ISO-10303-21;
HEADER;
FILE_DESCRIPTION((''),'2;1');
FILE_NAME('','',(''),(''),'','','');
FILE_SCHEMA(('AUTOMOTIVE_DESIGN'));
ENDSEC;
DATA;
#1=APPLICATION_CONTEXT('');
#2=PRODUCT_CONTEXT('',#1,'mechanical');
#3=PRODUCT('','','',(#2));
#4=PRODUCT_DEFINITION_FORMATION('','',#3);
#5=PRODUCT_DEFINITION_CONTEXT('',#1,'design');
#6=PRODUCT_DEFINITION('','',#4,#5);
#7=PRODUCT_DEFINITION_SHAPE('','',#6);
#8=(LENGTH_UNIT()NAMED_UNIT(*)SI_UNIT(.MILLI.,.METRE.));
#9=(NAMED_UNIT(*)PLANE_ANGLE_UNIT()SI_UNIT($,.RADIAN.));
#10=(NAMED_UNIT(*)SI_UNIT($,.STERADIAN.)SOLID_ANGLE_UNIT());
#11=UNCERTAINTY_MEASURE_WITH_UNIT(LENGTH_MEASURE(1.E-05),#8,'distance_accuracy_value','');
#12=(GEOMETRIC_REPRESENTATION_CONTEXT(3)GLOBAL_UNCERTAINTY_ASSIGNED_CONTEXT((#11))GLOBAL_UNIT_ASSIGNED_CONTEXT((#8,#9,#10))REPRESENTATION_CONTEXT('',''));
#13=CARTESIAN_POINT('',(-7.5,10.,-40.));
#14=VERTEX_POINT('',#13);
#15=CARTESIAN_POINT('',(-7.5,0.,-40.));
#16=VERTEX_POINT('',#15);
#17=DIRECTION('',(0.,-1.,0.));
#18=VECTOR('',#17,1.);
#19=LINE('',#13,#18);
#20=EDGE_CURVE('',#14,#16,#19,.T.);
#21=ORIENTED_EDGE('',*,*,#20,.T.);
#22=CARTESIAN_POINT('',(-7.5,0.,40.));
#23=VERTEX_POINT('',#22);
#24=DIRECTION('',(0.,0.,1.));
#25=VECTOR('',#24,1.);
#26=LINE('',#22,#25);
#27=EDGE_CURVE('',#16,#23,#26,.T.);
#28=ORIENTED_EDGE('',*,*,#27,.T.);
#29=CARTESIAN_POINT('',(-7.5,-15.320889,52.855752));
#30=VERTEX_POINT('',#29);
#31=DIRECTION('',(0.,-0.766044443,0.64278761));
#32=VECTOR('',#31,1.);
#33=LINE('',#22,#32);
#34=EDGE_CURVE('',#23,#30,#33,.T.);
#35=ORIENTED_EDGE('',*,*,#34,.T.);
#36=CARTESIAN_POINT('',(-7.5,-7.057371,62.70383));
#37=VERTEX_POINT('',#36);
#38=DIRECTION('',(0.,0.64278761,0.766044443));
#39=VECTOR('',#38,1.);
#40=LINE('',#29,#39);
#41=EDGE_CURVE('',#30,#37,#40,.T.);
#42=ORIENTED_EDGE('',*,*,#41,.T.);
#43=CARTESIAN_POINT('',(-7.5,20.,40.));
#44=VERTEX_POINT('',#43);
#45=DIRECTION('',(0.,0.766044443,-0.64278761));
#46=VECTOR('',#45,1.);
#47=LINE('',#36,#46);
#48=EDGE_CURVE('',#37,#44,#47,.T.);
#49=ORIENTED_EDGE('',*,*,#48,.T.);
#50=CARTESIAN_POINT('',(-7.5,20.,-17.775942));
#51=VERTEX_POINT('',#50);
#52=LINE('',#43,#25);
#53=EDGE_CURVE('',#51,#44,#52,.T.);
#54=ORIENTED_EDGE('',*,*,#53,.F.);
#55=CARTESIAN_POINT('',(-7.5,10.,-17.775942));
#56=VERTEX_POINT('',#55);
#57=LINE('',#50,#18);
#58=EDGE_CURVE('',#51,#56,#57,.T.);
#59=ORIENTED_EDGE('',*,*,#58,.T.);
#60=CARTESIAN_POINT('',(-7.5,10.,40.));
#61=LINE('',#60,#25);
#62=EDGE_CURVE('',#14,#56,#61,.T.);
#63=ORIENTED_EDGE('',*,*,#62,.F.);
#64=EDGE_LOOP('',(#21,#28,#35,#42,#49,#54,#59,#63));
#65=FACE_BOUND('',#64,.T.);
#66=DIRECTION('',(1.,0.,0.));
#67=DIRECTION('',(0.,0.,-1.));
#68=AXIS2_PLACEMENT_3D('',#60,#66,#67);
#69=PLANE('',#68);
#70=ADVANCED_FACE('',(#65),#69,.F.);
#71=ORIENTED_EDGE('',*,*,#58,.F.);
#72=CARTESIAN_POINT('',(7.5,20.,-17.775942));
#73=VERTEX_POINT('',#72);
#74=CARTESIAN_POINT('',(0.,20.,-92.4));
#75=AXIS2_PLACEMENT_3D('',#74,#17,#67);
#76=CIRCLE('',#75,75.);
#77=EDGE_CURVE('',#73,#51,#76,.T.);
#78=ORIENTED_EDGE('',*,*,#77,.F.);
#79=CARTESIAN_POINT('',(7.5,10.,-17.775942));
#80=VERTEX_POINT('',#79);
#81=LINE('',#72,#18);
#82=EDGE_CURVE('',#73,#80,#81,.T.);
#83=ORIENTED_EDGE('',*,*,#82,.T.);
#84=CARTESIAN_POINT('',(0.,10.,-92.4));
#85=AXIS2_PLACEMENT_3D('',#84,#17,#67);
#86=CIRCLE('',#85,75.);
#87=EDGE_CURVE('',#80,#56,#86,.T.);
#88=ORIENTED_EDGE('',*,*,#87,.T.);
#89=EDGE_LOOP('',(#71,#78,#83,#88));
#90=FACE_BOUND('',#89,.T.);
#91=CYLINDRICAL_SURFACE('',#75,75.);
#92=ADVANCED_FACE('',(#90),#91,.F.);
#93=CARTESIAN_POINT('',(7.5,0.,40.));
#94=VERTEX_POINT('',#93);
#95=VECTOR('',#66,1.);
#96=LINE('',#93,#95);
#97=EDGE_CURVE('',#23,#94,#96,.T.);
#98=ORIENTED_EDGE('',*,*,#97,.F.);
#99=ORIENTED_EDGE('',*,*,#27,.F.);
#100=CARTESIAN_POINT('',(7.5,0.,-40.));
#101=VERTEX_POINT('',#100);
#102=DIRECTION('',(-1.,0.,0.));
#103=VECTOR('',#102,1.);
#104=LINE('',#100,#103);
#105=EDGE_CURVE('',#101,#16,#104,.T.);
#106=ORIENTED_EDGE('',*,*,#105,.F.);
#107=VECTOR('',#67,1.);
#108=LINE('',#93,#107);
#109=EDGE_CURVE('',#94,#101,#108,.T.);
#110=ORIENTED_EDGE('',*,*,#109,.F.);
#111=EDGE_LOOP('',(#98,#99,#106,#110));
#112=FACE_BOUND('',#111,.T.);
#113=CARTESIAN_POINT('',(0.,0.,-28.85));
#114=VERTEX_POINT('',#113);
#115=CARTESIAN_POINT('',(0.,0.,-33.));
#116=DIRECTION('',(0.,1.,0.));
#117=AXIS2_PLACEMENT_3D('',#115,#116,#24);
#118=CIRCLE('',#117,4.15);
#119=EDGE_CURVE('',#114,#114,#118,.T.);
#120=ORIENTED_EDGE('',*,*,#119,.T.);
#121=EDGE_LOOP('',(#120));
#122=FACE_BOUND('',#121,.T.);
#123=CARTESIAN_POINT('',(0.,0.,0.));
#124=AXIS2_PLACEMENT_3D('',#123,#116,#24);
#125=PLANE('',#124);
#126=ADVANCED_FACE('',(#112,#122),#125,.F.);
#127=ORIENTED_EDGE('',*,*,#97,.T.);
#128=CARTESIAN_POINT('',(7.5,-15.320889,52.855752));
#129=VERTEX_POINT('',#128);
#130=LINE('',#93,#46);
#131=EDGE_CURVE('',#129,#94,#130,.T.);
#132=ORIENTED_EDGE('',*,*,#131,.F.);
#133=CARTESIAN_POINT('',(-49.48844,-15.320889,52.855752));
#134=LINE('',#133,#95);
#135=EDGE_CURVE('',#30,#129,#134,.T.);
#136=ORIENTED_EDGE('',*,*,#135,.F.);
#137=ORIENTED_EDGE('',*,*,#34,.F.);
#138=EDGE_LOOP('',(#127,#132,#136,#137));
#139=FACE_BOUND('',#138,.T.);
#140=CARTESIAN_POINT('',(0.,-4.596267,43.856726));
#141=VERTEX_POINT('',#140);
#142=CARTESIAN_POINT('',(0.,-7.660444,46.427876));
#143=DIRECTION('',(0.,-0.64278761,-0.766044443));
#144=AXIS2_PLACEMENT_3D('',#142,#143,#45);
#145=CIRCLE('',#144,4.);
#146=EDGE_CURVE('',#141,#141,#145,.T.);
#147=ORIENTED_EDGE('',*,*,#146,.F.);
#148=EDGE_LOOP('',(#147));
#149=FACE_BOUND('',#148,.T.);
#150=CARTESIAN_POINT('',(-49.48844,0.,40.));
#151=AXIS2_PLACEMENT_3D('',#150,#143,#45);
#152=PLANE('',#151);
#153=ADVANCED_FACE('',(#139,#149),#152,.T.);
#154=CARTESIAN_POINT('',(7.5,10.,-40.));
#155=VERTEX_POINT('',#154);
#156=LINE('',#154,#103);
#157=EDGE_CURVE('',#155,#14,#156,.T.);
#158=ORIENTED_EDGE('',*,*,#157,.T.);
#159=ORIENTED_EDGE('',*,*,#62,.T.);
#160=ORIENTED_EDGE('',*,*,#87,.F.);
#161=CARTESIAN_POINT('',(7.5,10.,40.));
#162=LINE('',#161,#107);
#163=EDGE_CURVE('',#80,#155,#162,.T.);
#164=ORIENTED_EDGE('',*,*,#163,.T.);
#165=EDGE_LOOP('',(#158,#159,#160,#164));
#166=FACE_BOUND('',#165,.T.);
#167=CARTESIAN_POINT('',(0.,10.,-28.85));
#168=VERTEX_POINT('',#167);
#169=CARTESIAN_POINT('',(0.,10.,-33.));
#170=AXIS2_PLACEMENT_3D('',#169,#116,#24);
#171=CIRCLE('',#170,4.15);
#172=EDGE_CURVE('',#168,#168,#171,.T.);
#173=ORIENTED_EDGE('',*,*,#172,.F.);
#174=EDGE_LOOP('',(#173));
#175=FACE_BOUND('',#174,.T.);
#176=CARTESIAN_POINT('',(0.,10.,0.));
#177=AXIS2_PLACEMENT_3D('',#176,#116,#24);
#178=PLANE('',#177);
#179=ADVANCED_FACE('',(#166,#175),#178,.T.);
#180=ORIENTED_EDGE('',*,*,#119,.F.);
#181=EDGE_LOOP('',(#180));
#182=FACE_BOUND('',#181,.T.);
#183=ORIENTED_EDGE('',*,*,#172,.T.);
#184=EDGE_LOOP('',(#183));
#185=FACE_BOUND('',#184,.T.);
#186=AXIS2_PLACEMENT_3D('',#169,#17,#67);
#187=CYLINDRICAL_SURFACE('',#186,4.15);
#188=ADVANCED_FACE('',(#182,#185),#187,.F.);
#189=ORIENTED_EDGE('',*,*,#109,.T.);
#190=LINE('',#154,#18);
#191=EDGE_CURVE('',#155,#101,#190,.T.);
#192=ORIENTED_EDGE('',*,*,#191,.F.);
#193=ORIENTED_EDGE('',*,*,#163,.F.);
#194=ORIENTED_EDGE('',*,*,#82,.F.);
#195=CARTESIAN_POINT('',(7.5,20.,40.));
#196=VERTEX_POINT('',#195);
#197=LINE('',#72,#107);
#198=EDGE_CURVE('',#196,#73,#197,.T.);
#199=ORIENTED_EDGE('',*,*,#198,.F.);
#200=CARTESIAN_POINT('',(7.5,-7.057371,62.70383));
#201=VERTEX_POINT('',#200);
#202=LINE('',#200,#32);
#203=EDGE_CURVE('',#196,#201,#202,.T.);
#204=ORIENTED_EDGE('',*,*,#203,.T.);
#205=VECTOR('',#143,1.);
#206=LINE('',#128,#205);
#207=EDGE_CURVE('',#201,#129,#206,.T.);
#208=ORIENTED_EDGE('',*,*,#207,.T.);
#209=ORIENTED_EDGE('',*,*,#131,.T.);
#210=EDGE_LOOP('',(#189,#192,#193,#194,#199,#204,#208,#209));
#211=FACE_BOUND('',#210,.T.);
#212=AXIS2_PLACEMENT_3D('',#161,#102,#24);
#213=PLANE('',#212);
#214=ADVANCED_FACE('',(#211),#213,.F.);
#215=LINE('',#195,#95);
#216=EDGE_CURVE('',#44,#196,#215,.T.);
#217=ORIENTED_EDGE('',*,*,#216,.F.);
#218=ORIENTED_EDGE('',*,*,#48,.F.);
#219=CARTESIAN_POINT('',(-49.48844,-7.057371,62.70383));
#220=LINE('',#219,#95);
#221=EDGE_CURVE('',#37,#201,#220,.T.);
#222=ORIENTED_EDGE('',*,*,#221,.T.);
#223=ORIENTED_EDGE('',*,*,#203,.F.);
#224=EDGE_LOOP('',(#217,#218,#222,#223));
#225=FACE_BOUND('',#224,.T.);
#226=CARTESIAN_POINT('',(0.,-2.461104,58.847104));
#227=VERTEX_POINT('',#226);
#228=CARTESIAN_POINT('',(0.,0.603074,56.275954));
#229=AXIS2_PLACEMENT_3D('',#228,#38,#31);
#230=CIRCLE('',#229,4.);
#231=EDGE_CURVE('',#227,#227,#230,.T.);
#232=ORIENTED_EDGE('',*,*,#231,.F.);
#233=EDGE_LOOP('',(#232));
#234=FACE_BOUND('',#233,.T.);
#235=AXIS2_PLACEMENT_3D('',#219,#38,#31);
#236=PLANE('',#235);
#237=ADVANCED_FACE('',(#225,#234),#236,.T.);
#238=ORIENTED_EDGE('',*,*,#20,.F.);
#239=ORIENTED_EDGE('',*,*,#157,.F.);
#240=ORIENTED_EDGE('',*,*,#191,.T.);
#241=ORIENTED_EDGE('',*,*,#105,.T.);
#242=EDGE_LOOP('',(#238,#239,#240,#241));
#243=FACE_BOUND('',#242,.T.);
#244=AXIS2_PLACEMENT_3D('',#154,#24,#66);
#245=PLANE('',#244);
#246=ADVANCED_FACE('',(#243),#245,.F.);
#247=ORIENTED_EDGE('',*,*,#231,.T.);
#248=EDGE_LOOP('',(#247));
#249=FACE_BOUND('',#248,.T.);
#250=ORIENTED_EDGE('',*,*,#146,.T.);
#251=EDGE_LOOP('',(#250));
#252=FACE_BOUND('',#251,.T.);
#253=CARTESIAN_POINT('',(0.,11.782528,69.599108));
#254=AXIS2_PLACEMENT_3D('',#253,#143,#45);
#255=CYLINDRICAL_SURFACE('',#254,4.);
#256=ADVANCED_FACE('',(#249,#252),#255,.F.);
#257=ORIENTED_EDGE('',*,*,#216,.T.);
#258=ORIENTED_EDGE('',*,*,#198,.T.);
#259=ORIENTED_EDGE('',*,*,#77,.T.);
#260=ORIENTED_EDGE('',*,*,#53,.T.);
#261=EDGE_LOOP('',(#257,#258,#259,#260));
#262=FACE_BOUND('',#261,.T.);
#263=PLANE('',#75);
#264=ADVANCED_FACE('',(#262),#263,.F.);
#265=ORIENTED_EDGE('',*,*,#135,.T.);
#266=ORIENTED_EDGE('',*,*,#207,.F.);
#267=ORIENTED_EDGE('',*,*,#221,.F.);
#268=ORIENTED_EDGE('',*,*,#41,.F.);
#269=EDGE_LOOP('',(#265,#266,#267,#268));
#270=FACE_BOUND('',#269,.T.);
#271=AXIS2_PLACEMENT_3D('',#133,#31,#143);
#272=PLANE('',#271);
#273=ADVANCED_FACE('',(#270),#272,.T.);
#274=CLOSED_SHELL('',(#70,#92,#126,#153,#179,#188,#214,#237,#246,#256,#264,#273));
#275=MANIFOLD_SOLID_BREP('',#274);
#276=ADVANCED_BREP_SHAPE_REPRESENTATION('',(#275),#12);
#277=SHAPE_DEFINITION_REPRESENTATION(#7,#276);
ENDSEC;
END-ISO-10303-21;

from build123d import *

# Parameters (mm, degrees)
SKETCH1_W           = 15
SKETCH1_H           = 80
SKETCH1_R           = 4.15
BOSS_EXTRUDE1_DEPTH = 10
BOSS_EXTRUDE2_DEPTH = 10
BOSS_EXTRUDE4_DEPTH = 15
SKETCH11_R          = 4
CUT_EXTRUDE5_DEPTH  = 31.247894791


with BuildPart() as part:
    # Sketch1 → Boss-Extrude1 (new body)
    with BuildSketch(Plane(origin=(0, 0, 0), x_dir=(1, 0, 0), z_dir=(0, 1, 0))):
        Rectangle(SKETCH1_W, SKETCH1_H)
        with Locations((0, 33)):
            Circle(SKETCH1_R, mode=Mode.SUBTRACT)
    extrude(amount=BOSS_EXTRUDE1_DEPTH)

    # Sketch2 → Boss-Extrude2 (add)
    with BuildSketch(Plane(origin=(0, 10, 0), x_dir=(1, 0, 0), z_dir=(0, 1, 0))):
        with BuildLine():
            Line((7.5, 17.775942217), (7.5, -40))
            Line((7.5, -40), (-7.5, -40))
            Line((-7.5, -40), (-7.5, 17.775942217))
            ThreePointArc((-7.5, 17.775942217), (0, 17.4), (7.5, 17.775942217))
        make_face()
    extrude(amount=BOSS_EXTRUDE2_DEPTH)

    # Sketch10 → Boss-Extrude4 (add)
    with BuildSketch(Plane(origin=(7.5, 0, 0), x_dir=(0, 0, -1), z_dir=(1, 0, 0))):
        Polygon((-40, 0), (-52.855752194, -15.320888862), (-62.703829724, -7.057370639), (-40, 20), align=None)
    extrude(amount=-BOSS_EXTRUDE4_DEPTH)

    # Sketch11 → Cut-Extrude5 (cut, through all)
    with BuildSketch(Plane(origin=(0, 19.69615506, 23.472963553), x_dir=(-1, 0, 0), z_dir=(0, -0.64278761, -0.766044443))):
        with Locations((0, -35.711504387)):
            Circle(SKETCH11_R)
    extrude(amount=-CUT_EXTRUDE5_DEPTH, mode=Mode.SUBTRACT)


solid = part.part
